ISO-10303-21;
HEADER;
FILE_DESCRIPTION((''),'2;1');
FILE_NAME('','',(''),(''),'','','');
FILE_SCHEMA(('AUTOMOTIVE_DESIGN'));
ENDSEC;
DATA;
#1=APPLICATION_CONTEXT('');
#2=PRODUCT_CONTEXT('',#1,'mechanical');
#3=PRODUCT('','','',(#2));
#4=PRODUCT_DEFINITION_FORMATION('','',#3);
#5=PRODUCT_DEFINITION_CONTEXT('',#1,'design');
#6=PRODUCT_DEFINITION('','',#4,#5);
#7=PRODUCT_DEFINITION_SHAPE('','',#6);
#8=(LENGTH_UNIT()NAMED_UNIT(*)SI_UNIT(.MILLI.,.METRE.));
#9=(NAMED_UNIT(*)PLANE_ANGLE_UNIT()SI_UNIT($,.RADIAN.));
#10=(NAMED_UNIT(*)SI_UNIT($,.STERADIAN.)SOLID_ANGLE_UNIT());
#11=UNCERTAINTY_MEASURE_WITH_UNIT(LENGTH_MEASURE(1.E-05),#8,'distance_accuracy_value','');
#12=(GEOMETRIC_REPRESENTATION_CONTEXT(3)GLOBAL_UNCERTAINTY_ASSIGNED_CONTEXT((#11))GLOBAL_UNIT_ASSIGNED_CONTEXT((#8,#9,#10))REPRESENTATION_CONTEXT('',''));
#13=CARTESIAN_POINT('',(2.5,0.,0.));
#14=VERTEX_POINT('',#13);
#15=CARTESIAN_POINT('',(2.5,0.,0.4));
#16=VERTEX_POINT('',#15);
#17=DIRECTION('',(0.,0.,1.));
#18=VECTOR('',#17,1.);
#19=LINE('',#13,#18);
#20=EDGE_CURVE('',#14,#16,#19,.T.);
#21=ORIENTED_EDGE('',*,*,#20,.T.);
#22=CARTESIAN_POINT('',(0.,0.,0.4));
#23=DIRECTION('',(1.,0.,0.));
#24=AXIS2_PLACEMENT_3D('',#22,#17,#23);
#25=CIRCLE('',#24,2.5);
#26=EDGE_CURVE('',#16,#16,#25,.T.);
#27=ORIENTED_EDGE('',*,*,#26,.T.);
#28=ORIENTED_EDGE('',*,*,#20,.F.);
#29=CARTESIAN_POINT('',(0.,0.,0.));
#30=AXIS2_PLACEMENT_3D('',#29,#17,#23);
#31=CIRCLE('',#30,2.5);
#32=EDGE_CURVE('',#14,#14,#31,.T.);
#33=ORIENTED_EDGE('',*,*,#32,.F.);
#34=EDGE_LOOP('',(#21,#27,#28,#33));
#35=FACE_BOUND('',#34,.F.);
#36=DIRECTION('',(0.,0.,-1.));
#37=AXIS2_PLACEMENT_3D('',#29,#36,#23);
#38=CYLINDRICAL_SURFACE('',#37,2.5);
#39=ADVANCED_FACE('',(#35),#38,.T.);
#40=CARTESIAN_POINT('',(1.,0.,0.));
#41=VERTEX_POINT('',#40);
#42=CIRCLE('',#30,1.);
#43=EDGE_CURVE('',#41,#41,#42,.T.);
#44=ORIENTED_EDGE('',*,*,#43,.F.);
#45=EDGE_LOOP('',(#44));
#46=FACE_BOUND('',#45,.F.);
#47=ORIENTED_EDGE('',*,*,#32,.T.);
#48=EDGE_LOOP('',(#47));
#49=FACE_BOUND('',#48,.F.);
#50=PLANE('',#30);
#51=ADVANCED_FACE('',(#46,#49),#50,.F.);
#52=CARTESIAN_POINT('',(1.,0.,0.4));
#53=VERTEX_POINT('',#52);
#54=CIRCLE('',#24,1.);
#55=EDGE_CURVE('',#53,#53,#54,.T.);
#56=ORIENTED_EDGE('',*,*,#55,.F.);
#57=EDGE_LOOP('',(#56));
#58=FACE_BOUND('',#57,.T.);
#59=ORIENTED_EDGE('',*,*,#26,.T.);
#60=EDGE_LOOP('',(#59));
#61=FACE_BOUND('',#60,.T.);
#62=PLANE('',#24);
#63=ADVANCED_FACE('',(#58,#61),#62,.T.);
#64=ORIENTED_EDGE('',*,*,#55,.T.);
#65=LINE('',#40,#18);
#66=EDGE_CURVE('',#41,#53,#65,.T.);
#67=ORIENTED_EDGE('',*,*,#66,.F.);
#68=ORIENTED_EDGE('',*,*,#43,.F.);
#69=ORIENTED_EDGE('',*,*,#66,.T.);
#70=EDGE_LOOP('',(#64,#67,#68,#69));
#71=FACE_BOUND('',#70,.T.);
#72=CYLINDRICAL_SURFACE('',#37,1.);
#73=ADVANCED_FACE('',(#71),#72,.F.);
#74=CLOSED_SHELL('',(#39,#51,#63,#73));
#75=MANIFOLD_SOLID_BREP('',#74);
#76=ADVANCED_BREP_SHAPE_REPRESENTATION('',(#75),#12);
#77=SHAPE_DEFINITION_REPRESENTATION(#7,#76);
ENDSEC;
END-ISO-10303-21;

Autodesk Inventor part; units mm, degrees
ref_plane "YZ Plane" through (0, 0, 0) normal (1, 0, 0) x (0, 1, 0)
ref_plane "XZ Plane" through (0, 0, 0) normal (0, 1, 0) x (-1, 0, 0)
ref_plane "XY Plane" through (0, 0, 0) normal (0, 0, 1) x (1, 0, 0)
sketch "Sketch1" plane through (0, 0, 0) normal (0, 0, 1) x (1, 0, 0)
  circle A0 centre (0, 0) radius 1
  circle A1 centre (0, 0) radius 2.5
  dimension "d0" = 2
  dimension "d1" = 5
extrude "Extrusion1" add sketch "Sketch1" along normal blind 0.4
properties part number "Pok Washer I2mmO5mm"
